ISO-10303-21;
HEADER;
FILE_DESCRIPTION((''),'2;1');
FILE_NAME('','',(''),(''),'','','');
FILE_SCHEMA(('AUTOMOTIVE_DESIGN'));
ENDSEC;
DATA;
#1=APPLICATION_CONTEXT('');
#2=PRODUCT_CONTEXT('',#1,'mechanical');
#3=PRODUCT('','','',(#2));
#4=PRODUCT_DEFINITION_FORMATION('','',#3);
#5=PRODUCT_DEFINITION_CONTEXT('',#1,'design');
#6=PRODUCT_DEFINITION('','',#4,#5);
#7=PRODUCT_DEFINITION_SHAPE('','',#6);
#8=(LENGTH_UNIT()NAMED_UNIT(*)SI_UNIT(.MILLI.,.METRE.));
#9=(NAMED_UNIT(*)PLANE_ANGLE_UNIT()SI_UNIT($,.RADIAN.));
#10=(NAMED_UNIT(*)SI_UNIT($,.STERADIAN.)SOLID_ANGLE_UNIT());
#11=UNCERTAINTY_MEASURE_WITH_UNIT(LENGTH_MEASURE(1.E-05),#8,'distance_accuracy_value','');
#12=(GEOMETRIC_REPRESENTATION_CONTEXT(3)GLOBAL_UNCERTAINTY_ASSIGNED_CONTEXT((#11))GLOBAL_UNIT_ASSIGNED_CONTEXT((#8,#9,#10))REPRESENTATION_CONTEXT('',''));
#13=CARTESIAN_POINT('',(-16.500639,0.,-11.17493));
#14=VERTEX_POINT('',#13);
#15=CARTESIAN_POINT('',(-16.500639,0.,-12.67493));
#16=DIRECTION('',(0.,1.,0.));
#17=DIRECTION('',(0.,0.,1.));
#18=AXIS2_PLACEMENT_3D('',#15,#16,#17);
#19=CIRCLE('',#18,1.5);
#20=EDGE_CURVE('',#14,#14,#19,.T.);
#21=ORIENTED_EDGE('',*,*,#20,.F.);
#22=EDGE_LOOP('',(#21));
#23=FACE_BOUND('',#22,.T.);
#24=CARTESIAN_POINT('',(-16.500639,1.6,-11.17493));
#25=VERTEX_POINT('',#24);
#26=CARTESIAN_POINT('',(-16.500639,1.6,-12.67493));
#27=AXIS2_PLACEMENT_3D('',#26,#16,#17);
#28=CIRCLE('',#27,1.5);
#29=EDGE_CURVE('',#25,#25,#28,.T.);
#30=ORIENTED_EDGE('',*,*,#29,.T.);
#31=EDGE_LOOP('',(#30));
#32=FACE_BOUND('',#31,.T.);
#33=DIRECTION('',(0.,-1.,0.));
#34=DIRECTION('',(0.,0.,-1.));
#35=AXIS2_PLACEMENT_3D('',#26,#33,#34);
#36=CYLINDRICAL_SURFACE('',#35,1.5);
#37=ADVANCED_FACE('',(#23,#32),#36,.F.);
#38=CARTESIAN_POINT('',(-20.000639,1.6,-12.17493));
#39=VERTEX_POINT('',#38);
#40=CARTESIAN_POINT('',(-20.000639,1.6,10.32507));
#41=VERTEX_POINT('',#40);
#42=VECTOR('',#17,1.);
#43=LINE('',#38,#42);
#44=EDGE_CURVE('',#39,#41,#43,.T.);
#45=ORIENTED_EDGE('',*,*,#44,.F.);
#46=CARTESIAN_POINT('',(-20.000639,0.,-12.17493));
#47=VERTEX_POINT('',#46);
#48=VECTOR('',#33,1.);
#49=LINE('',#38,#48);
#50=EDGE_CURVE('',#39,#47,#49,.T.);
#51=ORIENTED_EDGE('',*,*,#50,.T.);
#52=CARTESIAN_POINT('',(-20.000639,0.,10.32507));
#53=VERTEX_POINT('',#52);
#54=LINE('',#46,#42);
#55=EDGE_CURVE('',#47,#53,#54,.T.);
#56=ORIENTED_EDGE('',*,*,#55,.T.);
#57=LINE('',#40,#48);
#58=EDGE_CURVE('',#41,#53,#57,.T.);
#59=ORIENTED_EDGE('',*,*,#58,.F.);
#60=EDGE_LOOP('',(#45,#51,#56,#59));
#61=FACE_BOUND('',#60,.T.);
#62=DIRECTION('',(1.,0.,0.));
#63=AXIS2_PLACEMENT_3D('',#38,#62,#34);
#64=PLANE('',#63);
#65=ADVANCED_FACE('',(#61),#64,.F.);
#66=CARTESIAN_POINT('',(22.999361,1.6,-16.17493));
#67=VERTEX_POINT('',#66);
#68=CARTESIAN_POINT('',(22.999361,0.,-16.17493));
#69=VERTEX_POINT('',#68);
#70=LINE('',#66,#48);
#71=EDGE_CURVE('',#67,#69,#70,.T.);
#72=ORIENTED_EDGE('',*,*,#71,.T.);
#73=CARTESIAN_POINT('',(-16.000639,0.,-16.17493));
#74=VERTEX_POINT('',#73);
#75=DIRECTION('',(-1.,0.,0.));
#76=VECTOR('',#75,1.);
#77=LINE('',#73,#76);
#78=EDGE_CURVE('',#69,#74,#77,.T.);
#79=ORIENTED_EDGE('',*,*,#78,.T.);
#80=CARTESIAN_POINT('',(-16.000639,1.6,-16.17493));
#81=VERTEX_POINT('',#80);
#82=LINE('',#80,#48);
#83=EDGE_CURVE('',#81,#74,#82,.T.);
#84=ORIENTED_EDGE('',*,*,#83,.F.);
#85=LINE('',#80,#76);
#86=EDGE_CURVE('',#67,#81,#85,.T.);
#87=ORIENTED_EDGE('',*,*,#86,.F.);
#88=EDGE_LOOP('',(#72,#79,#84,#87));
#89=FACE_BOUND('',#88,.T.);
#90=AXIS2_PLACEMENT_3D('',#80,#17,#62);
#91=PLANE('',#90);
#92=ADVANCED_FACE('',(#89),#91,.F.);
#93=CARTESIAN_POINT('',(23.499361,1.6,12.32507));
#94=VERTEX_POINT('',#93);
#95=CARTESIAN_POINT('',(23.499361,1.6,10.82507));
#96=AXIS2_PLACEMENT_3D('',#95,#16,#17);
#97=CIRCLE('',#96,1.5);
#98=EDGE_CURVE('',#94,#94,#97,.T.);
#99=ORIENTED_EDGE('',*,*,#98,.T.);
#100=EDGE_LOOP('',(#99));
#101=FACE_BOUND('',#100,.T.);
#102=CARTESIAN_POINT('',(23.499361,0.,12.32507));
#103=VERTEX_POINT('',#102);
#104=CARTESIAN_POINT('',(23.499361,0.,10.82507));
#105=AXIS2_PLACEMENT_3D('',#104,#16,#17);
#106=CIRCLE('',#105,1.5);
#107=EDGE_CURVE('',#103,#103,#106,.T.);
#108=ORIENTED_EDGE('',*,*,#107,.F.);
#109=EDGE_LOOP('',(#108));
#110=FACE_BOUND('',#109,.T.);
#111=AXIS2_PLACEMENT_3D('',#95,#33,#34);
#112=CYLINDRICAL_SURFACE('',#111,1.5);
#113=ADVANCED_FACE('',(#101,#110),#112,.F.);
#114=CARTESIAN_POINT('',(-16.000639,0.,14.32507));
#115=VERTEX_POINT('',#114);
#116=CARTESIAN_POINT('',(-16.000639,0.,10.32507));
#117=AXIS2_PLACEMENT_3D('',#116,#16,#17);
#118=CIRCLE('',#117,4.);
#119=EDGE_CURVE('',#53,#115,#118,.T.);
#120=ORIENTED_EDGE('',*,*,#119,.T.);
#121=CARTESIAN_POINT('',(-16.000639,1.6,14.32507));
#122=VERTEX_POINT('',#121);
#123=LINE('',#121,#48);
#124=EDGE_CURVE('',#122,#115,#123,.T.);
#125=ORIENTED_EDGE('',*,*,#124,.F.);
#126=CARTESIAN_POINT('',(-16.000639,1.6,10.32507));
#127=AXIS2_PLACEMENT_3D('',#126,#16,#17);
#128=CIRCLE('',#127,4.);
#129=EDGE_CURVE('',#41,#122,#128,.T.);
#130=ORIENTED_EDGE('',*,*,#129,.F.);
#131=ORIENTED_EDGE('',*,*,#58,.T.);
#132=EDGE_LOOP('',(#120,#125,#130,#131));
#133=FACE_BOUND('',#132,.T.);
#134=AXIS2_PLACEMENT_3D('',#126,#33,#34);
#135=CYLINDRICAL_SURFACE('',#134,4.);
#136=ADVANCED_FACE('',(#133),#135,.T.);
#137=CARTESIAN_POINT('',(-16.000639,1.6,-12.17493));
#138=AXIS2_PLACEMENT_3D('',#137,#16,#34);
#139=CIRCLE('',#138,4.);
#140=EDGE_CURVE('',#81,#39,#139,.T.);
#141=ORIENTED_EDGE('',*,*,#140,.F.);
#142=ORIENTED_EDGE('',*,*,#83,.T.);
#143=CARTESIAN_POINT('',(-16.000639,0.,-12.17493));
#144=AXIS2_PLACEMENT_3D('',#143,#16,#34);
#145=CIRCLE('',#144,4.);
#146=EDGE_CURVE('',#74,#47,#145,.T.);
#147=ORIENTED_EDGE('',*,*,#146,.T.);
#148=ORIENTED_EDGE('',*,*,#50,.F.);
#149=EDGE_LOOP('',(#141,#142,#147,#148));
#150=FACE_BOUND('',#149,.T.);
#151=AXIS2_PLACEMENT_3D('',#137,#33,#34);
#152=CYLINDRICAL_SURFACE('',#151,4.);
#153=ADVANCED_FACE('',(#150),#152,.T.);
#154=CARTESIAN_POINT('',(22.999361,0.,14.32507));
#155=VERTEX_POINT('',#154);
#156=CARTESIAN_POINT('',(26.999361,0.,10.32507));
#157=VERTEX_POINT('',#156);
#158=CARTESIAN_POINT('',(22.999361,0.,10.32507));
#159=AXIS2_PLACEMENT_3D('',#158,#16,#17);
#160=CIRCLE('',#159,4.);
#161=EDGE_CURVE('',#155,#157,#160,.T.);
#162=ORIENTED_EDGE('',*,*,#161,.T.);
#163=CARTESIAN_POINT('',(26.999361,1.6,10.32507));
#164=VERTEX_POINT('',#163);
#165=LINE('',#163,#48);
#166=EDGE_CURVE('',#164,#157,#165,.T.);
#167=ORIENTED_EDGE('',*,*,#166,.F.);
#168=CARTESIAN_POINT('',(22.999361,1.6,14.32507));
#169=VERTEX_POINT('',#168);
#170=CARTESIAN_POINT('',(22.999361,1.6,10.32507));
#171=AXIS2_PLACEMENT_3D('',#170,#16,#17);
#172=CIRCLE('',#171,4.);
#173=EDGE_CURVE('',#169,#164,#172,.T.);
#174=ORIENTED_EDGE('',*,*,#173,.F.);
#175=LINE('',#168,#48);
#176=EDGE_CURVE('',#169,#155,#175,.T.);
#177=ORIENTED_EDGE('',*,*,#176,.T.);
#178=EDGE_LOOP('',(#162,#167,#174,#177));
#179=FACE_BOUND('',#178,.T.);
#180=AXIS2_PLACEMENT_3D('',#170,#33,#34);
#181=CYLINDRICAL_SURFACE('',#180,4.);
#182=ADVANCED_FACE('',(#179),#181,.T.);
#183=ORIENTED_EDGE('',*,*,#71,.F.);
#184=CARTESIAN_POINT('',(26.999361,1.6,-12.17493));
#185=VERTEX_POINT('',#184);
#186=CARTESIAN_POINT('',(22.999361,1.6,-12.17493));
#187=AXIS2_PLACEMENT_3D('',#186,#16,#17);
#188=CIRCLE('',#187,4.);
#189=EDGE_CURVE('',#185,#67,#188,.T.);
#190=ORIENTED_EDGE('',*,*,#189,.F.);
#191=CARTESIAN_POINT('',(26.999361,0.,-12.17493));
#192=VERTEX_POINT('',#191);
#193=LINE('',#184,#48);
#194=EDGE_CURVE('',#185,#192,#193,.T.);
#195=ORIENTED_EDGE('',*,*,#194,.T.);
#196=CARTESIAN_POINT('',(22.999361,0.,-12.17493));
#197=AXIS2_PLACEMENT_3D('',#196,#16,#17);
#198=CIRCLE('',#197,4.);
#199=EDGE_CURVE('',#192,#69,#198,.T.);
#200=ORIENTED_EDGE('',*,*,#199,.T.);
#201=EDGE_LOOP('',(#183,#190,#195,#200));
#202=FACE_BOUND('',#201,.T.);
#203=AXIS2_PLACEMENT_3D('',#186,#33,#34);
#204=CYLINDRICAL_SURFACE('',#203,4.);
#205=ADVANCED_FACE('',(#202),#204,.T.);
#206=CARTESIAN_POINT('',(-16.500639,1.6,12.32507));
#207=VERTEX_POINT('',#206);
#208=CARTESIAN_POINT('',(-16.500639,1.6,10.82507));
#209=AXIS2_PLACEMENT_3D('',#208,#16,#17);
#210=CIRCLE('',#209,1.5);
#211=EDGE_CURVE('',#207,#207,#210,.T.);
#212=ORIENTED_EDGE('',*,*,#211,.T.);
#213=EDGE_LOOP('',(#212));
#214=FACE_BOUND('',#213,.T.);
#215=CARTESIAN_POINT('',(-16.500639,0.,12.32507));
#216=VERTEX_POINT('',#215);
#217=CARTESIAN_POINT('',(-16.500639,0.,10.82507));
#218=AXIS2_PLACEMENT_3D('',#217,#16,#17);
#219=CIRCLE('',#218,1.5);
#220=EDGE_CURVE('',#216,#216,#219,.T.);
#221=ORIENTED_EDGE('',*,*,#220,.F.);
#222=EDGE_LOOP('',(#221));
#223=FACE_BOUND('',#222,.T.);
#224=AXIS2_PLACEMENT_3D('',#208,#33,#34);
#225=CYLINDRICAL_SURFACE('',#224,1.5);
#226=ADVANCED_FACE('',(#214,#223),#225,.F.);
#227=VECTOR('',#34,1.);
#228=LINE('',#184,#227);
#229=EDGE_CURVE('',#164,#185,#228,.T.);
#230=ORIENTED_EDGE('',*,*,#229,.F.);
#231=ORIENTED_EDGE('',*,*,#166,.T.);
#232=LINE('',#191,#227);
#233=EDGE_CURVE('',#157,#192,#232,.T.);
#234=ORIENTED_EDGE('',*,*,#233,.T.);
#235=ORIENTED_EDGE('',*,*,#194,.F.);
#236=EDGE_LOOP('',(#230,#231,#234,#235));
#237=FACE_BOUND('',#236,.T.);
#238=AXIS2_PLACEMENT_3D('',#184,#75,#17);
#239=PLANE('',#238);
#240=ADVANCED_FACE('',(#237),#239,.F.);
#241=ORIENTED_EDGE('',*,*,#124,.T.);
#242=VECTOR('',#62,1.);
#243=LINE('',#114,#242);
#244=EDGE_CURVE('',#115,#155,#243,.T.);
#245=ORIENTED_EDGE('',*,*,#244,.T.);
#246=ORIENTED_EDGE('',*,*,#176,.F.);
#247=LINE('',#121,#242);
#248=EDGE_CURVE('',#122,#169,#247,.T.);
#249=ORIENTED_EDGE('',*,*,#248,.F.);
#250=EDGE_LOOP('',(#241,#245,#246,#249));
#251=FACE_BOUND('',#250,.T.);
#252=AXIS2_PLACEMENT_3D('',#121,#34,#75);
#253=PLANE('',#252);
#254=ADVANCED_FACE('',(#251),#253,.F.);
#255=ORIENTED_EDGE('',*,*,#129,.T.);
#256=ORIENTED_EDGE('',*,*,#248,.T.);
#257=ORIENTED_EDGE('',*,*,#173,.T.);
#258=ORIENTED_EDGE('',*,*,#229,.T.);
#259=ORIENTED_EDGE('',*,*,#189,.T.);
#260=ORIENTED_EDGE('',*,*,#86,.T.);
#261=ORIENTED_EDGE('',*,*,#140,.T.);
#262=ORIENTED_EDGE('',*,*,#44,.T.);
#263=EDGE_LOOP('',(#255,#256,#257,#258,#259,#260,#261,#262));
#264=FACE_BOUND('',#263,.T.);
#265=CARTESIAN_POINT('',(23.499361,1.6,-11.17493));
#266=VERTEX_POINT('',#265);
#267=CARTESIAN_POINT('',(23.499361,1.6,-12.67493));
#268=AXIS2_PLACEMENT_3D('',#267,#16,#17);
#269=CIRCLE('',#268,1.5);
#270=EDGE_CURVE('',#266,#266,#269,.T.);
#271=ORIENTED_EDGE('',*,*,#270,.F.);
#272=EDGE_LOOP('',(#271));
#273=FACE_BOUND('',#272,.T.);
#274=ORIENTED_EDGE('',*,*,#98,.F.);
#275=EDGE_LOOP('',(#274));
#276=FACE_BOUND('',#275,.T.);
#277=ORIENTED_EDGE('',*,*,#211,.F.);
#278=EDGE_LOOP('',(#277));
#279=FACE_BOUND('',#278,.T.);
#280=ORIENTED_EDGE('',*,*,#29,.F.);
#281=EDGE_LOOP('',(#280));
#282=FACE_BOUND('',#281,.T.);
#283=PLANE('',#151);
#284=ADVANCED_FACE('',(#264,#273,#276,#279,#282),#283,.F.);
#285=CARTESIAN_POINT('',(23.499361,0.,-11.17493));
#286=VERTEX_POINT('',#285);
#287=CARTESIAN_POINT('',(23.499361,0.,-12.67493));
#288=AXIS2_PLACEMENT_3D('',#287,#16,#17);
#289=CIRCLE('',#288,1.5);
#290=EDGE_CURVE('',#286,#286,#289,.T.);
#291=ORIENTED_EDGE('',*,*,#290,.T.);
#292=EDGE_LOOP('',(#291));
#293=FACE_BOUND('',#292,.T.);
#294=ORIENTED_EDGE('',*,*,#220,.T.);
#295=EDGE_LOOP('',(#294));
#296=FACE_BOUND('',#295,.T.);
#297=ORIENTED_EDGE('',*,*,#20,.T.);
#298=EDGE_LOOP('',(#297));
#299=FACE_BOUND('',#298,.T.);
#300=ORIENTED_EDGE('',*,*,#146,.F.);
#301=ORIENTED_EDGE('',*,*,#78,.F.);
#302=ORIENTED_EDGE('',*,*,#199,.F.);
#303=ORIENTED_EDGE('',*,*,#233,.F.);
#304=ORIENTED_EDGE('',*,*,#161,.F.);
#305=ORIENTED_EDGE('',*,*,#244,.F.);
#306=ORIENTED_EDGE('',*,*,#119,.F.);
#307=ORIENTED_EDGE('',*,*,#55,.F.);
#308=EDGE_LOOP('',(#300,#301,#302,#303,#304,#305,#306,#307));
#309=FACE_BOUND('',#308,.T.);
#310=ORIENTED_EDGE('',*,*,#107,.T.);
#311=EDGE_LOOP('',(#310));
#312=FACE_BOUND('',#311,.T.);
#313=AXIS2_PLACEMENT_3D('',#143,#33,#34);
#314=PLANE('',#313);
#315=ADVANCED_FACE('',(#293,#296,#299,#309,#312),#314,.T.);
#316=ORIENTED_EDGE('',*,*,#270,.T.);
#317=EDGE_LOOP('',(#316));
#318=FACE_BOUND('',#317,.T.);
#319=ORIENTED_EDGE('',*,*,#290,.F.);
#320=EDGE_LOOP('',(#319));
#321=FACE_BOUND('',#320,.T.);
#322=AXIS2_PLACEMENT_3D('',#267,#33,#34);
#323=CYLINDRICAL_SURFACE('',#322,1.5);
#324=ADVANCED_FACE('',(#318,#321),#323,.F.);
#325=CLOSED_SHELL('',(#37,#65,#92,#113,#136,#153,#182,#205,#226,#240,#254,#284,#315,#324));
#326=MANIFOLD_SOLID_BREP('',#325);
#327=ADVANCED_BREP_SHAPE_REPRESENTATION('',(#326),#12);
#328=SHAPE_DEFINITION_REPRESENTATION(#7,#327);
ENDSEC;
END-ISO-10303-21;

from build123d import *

# Parameters (mm, degrees)
SKETCH_1_R      = 1.5
EXTRUDE_1_DEPTH = 1.6


with BuildPart() as part:
    # 草图1 → 凸台-拉伸1 (new body)
    with BuildSketch(Plane(origin=(0, 0, 0), x_dir=(1, 0, 0), z_dir=(0, 1, 0))):
        with BuildLine():
            Line((-16.000639258, 16.174929686), (22.999360742, 16.174929686))
            ThreePointArc((22.999360742, 16.174929686), (25.827787867, 15.003356811), (26.999360742, 12.174929686))
            Line((26.999360742, 12.174929686), (26.999360742, -10.325070314))
            ThreePointArc((26.999360742, -10.325070314), (25.827787867, -13.153497439), (22.999360742, -14.325070314))
            Line((22.999360742, -14.325070314), (-16.000639258, -14.325070314))
            ThreePointArc((-16.000639258, -14.325070314), (-18.829066382, -13.153497439), (-20.000639258, -10.325070314))
            Line((-20.000639258, -10.325070314), (-20.000639258, 12.174929686))
            ThreePointArc((-20.000639258, 12.174929686), (-18.829066382, 15.003356811), (-16.000639258, 16.174929686))
        make_face()
        with Locations(Location((-16.500639258, 12.674929686, 0), (0, 0, 270))):
            Circle(SKETCH_1_R, mode=Mode.SUBTRACT)
        with Locations(Location((23.499360742, 12.674929686, 0), (0, 0, 270))):
            Circle(SKETCH_1_R, mode=Mode.SUBTRACT)
        with Locations(Location((-16.500639258, -10.825070314, 0), (0, 0, 270))):
            Circle(SKETCH_1_R, mode=Mode.SUBTRACT)
        with Locations(Location((23.499360742, -10.825070314, 0), (0, 0, 270))):
            Circle(SKETCH_1_R, mode=Mode.SUBTRACT)
    extrude(amount=EXTRUDE_1_DEPTH)


solid = part.part
